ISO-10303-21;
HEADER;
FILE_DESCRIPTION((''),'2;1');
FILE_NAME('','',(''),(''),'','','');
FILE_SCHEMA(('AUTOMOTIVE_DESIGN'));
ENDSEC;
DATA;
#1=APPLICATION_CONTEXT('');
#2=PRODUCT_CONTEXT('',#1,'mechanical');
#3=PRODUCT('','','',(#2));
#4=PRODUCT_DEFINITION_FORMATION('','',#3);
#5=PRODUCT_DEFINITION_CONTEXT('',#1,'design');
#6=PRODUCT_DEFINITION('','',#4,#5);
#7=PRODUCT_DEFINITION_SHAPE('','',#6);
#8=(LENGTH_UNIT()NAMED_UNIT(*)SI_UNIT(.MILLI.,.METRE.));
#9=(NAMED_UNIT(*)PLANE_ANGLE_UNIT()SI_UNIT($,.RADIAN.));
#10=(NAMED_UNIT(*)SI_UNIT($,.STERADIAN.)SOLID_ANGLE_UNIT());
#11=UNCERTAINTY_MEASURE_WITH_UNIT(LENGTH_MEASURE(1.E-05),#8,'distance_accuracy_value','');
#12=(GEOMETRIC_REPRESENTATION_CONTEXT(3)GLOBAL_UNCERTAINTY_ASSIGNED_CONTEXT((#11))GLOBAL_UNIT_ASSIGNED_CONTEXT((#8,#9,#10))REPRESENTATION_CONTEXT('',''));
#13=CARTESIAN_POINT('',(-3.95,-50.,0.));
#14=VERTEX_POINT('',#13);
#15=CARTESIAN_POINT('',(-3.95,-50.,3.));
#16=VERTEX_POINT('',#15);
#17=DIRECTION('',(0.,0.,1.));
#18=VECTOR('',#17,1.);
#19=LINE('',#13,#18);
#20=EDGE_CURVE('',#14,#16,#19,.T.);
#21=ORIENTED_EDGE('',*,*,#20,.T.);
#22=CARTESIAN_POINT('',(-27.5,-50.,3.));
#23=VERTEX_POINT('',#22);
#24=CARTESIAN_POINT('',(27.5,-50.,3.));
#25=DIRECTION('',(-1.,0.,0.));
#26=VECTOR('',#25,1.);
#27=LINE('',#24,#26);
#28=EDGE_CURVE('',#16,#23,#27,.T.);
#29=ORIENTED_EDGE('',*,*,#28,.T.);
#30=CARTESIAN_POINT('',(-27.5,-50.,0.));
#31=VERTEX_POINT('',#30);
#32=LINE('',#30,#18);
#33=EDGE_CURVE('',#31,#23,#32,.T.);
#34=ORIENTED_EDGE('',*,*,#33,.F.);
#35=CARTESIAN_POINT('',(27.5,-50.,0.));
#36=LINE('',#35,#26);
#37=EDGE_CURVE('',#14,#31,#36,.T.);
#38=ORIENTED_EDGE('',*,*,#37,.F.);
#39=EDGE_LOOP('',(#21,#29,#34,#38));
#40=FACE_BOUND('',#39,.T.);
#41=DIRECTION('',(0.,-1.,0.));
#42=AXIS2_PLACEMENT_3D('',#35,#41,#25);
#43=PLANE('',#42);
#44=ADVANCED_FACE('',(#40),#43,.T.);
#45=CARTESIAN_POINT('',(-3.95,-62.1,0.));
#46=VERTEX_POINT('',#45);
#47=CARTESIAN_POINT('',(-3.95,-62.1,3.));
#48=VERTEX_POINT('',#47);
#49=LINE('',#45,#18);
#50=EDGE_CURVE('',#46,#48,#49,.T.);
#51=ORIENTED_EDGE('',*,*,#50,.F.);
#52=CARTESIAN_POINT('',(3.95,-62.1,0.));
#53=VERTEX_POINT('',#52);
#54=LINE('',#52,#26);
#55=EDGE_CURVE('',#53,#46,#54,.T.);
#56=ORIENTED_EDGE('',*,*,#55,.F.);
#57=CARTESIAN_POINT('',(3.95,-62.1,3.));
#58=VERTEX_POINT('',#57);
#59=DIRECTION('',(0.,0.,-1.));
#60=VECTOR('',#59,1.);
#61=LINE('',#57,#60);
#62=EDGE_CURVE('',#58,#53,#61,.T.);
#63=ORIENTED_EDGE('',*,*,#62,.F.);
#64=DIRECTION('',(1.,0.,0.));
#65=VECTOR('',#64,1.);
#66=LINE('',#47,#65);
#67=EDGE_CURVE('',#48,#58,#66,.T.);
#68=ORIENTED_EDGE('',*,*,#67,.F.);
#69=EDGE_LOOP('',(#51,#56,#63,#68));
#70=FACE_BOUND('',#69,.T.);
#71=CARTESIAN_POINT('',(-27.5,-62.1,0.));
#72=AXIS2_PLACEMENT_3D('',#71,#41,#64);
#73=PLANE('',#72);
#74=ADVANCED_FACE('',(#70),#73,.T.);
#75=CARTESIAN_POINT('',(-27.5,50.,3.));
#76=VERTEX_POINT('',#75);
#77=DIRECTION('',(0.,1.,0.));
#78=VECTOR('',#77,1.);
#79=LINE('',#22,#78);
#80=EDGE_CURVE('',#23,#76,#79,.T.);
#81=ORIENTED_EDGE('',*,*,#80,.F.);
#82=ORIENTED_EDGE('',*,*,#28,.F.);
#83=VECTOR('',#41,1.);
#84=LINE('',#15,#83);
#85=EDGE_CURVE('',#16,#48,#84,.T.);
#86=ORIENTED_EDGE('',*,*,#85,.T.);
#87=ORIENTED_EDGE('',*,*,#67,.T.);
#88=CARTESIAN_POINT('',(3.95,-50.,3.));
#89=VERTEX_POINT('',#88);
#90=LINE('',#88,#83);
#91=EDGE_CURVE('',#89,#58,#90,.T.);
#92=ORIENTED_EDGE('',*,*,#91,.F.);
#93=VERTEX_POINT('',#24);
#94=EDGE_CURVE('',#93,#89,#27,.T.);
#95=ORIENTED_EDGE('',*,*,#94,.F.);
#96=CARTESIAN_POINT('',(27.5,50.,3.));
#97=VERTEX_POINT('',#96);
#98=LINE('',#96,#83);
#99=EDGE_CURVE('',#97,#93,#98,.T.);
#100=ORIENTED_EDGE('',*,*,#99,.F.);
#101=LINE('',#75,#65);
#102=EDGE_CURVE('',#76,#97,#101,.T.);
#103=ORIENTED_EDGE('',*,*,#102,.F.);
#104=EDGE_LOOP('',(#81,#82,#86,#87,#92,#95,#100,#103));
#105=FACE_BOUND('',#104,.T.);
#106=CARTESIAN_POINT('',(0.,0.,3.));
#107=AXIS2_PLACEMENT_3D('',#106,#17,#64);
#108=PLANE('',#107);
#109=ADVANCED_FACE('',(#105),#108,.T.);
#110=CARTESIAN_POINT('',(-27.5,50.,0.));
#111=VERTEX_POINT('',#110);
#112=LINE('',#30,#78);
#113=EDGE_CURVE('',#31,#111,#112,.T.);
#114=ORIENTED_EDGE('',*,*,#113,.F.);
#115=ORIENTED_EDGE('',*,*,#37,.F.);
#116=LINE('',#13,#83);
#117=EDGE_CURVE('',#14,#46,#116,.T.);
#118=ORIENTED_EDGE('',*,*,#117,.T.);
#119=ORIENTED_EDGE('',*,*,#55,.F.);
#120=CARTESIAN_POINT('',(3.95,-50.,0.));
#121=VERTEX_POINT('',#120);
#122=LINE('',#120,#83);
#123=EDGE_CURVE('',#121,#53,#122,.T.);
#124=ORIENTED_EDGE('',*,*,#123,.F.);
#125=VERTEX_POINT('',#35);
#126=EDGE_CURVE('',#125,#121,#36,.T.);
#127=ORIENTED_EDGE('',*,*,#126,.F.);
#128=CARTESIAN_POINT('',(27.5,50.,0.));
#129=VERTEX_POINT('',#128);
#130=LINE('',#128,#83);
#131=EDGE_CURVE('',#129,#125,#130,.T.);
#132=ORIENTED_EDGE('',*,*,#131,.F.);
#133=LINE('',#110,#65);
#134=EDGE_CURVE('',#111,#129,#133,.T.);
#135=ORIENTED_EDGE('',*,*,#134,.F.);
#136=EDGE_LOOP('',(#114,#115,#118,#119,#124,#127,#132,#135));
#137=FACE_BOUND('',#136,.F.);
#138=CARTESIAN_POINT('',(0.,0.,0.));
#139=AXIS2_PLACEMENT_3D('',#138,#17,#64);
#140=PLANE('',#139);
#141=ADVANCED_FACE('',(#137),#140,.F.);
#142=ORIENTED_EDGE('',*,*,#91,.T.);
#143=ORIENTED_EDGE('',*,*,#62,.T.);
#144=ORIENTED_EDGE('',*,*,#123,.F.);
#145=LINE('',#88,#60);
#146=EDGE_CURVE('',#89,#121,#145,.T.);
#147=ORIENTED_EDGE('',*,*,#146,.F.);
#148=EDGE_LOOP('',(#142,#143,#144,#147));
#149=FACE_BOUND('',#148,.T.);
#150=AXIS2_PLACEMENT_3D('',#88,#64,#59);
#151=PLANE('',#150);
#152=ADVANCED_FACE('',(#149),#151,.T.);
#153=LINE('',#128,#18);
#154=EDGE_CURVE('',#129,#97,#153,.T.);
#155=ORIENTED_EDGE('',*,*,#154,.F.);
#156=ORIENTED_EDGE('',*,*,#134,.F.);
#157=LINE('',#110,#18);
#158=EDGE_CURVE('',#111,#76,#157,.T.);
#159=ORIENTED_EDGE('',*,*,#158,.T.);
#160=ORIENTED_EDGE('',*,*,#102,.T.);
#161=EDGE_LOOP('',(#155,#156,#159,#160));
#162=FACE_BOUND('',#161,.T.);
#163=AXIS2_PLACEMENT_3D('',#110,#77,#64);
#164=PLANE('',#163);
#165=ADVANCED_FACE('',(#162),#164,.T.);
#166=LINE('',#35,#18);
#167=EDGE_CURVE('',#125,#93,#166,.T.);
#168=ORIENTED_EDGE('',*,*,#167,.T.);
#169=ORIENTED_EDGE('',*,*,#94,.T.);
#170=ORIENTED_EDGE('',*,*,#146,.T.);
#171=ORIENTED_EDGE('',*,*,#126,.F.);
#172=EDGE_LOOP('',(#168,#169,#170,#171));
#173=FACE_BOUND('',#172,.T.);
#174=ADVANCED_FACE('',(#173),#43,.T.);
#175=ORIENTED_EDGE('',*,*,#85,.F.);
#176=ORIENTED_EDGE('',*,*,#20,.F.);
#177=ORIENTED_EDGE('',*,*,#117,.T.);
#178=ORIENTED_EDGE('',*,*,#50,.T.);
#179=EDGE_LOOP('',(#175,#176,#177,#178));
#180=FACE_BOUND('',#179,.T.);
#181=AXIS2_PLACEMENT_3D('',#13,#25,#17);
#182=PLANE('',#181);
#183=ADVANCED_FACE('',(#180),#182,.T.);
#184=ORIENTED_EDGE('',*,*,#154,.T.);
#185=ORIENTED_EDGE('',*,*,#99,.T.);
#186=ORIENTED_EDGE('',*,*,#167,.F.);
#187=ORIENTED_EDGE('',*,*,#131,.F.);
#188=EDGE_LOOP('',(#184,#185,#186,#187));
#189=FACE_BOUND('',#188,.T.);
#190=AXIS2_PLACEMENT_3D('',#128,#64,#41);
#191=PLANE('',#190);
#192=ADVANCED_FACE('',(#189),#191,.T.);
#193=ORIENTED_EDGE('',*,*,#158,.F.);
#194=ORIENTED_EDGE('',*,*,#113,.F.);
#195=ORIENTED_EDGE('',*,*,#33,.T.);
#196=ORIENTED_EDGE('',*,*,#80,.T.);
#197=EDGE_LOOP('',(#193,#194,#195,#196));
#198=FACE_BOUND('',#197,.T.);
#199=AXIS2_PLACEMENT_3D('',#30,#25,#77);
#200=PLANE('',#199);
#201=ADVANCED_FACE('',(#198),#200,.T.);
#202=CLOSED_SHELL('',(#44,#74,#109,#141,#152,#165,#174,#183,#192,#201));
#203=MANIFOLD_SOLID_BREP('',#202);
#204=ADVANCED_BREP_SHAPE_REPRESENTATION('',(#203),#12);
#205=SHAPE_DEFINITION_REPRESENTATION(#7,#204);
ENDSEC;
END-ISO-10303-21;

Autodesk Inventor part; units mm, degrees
ref_plane "YZ Plane" through (0, 0, 0) normal (1, 0, 0) x (0, 1, 0)
ref_plane "XZ Plane" through (0, 0, 0) normal (0, 1, 0) x (-1, 0, 0)
ref_plane "XY Plane" through (0, 0, 0) normal (0, 0, 1) x (1, 0, 0)
sketch "Sketch1" plane through (0, 0, 0) normal (0, 0, 1) x (1, 0, 0)
  line L0 (-27.5, 50) -> (27.5, 50)
  line L1 (27.5, 50) -> (27.5, -50)
  line L2 (27.5, -50) -> (-27.5, -50)
  line L3 (-27.5, -50) -> (-27.5, 50)
  point P0 (0, 0)
  point P1 (0, 50)
  dimension "d0" = 50
  dimension "d2" = 100
  dimension "d3" = 55
  dimension "d4" = 27.5
extrude "Extrusion1" add sketch "Sketch1" along normal blind 3
sketch "Sketch2" plane through (-27.5, -50, 0) normal (0, -1, 0) x (1, 0, 0)
  line L0 (31.45, 0) -> (23.55, 0)
  line L1 (23.55, 0) -> (23.55, 3)
  line L2 (23.55, 3) -> (31.45, 3)
  line L3 (31.45, 3) -> (31.45, 0)
  line L4 (31.45, 0) -> (23.55, 3) construction
  line L5 (23.55, 0) -> (31.45, 3) construction
  line L6 (0, 0) -> (55, 0) projected
  line L7 (0, 3) -> (55, 3) projected
  line L8 (55, 0) -> (55, 3) projected
  line L9 (0, 0) -> (0, 3) projected
  point P0 (27.5, 0)
  point P1 (27.5, 1.5)
  point P2 (55, 1.5)
  point P3 (31.45, 1.5)
  point P4 (0, 1.5)
  point P5 (27.5, 0)
  dimension "d8" = 7.9
extrude "Extrusion2" add sketch "Sketch2" along normal blind 12.1 contours L0 L1 L2 L3
properties part number "AcrylicPane"
